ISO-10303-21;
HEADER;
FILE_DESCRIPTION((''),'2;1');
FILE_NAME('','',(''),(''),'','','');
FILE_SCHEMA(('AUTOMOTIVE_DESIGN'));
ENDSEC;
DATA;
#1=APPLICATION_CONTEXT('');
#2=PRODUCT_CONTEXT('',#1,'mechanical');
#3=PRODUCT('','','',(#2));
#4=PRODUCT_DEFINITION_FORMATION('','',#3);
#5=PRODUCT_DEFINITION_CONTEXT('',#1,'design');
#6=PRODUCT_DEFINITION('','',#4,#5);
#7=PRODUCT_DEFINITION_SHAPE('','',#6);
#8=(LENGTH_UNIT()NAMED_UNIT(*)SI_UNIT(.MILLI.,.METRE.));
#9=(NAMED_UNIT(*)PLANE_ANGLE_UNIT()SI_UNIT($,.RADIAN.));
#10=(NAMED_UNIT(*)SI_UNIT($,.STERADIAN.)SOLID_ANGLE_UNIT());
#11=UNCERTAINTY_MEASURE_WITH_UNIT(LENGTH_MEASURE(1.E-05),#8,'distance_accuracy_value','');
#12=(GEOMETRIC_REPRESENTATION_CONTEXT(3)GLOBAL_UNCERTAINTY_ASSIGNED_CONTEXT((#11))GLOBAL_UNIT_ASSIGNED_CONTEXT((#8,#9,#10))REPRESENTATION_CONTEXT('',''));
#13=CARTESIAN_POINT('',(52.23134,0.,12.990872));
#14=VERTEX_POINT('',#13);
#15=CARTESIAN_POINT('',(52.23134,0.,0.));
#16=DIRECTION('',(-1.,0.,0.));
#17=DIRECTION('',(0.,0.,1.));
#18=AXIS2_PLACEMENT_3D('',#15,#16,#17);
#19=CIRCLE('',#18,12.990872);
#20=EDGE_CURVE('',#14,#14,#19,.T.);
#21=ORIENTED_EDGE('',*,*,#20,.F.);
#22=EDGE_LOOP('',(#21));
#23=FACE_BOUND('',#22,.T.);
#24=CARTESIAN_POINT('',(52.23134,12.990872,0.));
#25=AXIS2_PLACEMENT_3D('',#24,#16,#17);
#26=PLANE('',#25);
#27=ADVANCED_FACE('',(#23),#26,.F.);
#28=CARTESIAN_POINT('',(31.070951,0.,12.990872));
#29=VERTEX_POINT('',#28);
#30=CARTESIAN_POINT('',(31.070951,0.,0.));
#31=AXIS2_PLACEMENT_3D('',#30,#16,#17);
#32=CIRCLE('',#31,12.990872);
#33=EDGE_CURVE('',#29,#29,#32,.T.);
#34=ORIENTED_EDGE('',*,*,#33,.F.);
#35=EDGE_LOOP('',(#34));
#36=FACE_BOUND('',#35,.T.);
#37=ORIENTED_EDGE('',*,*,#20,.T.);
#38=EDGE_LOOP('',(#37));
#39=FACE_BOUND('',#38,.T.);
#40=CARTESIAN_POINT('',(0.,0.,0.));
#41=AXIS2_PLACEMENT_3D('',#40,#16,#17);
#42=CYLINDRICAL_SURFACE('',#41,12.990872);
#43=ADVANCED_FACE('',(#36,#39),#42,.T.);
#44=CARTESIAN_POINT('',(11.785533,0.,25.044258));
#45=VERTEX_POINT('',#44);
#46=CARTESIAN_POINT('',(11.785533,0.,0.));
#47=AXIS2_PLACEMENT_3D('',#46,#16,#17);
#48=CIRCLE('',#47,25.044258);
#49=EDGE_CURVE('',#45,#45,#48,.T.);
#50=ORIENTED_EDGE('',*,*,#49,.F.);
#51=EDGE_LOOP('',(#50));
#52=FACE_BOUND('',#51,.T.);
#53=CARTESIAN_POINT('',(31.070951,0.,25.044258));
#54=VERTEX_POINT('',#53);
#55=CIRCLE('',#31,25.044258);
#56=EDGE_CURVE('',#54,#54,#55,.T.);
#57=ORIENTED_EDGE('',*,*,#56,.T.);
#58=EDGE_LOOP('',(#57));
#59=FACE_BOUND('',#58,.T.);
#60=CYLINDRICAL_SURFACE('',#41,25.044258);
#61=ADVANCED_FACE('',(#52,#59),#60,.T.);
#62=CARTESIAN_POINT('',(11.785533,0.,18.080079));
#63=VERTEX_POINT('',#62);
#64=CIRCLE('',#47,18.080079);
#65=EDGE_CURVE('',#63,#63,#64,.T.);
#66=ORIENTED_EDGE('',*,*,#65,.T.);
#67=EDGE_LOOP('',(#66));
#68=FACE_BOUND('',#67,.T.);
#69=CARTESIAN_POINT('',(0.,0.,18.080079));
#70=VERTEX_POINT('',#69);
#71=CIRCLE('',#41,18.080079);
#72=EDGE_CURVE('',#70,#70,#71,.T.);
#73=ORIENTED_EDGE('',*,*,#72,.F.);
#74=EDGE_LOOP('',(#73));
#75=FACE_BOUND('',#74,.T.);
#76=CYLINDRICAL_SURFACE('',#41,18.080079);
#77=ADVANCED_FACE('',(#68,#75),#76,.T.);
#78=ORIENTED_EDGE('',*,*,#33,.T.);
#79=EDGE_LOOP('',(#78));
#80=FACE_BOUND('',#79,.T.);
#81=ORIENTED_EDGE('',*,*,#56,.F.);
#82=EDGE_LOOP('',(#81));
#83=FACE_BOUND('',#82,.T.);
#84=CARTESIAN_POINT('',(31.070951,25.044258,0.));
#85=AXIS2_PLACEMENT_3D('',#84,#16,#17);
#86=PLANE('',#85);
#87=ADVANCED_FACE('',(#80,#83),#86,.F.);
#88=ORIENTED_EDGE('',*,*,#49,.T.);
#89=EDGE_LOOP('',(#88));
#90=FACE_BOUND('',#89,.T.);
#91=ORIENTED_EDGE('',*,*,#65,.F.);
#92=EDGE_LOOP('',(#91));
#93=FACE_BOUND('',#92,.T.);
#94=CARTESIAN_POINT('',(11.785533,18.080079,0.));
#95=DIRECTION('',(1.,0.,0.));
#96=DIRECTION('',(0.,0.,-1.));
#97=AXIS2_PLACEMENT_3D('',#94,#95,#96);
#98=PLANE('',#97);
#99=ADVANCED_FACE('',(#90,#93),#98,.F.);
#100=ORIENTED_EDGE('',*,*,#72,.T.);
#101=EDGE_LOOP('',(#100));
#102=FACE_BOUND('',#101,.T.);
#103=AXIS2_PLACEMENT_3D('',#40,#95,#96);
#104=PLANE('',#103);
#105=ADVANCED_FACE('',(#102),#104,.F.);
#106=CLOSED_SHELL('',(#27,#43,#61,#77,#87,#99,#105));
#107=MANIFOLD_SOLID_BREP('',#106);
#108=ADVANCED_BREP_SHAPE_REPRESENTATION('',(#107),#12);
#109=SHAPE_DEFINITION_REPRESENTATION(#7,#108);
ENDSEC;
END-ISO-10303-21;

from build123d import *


with BuildPart() as part:
    # 스케치1 → 회전1 (revolve)
    with BuildSketch(Plane.XY, mode=Mode.PRIVATE) as revolve_1_sk:
        Polygon((0, 0), (0, 18.08007909), (11.785533037, 18.08007909), (11.785533037, 25.044257703), (31.070950733, 25.044257703), (31.070950733, 12.990871643), (52.231339595, 12.990871643), (52.231339595, 0), align=None)
    revolve(revolve_1_sk.sketch.rotate(Axis((0, 0, 0), (1, 0, 0)), 90), axis=Axis((0, 0, 0), (1, 0, 0)))


solid = part.part
